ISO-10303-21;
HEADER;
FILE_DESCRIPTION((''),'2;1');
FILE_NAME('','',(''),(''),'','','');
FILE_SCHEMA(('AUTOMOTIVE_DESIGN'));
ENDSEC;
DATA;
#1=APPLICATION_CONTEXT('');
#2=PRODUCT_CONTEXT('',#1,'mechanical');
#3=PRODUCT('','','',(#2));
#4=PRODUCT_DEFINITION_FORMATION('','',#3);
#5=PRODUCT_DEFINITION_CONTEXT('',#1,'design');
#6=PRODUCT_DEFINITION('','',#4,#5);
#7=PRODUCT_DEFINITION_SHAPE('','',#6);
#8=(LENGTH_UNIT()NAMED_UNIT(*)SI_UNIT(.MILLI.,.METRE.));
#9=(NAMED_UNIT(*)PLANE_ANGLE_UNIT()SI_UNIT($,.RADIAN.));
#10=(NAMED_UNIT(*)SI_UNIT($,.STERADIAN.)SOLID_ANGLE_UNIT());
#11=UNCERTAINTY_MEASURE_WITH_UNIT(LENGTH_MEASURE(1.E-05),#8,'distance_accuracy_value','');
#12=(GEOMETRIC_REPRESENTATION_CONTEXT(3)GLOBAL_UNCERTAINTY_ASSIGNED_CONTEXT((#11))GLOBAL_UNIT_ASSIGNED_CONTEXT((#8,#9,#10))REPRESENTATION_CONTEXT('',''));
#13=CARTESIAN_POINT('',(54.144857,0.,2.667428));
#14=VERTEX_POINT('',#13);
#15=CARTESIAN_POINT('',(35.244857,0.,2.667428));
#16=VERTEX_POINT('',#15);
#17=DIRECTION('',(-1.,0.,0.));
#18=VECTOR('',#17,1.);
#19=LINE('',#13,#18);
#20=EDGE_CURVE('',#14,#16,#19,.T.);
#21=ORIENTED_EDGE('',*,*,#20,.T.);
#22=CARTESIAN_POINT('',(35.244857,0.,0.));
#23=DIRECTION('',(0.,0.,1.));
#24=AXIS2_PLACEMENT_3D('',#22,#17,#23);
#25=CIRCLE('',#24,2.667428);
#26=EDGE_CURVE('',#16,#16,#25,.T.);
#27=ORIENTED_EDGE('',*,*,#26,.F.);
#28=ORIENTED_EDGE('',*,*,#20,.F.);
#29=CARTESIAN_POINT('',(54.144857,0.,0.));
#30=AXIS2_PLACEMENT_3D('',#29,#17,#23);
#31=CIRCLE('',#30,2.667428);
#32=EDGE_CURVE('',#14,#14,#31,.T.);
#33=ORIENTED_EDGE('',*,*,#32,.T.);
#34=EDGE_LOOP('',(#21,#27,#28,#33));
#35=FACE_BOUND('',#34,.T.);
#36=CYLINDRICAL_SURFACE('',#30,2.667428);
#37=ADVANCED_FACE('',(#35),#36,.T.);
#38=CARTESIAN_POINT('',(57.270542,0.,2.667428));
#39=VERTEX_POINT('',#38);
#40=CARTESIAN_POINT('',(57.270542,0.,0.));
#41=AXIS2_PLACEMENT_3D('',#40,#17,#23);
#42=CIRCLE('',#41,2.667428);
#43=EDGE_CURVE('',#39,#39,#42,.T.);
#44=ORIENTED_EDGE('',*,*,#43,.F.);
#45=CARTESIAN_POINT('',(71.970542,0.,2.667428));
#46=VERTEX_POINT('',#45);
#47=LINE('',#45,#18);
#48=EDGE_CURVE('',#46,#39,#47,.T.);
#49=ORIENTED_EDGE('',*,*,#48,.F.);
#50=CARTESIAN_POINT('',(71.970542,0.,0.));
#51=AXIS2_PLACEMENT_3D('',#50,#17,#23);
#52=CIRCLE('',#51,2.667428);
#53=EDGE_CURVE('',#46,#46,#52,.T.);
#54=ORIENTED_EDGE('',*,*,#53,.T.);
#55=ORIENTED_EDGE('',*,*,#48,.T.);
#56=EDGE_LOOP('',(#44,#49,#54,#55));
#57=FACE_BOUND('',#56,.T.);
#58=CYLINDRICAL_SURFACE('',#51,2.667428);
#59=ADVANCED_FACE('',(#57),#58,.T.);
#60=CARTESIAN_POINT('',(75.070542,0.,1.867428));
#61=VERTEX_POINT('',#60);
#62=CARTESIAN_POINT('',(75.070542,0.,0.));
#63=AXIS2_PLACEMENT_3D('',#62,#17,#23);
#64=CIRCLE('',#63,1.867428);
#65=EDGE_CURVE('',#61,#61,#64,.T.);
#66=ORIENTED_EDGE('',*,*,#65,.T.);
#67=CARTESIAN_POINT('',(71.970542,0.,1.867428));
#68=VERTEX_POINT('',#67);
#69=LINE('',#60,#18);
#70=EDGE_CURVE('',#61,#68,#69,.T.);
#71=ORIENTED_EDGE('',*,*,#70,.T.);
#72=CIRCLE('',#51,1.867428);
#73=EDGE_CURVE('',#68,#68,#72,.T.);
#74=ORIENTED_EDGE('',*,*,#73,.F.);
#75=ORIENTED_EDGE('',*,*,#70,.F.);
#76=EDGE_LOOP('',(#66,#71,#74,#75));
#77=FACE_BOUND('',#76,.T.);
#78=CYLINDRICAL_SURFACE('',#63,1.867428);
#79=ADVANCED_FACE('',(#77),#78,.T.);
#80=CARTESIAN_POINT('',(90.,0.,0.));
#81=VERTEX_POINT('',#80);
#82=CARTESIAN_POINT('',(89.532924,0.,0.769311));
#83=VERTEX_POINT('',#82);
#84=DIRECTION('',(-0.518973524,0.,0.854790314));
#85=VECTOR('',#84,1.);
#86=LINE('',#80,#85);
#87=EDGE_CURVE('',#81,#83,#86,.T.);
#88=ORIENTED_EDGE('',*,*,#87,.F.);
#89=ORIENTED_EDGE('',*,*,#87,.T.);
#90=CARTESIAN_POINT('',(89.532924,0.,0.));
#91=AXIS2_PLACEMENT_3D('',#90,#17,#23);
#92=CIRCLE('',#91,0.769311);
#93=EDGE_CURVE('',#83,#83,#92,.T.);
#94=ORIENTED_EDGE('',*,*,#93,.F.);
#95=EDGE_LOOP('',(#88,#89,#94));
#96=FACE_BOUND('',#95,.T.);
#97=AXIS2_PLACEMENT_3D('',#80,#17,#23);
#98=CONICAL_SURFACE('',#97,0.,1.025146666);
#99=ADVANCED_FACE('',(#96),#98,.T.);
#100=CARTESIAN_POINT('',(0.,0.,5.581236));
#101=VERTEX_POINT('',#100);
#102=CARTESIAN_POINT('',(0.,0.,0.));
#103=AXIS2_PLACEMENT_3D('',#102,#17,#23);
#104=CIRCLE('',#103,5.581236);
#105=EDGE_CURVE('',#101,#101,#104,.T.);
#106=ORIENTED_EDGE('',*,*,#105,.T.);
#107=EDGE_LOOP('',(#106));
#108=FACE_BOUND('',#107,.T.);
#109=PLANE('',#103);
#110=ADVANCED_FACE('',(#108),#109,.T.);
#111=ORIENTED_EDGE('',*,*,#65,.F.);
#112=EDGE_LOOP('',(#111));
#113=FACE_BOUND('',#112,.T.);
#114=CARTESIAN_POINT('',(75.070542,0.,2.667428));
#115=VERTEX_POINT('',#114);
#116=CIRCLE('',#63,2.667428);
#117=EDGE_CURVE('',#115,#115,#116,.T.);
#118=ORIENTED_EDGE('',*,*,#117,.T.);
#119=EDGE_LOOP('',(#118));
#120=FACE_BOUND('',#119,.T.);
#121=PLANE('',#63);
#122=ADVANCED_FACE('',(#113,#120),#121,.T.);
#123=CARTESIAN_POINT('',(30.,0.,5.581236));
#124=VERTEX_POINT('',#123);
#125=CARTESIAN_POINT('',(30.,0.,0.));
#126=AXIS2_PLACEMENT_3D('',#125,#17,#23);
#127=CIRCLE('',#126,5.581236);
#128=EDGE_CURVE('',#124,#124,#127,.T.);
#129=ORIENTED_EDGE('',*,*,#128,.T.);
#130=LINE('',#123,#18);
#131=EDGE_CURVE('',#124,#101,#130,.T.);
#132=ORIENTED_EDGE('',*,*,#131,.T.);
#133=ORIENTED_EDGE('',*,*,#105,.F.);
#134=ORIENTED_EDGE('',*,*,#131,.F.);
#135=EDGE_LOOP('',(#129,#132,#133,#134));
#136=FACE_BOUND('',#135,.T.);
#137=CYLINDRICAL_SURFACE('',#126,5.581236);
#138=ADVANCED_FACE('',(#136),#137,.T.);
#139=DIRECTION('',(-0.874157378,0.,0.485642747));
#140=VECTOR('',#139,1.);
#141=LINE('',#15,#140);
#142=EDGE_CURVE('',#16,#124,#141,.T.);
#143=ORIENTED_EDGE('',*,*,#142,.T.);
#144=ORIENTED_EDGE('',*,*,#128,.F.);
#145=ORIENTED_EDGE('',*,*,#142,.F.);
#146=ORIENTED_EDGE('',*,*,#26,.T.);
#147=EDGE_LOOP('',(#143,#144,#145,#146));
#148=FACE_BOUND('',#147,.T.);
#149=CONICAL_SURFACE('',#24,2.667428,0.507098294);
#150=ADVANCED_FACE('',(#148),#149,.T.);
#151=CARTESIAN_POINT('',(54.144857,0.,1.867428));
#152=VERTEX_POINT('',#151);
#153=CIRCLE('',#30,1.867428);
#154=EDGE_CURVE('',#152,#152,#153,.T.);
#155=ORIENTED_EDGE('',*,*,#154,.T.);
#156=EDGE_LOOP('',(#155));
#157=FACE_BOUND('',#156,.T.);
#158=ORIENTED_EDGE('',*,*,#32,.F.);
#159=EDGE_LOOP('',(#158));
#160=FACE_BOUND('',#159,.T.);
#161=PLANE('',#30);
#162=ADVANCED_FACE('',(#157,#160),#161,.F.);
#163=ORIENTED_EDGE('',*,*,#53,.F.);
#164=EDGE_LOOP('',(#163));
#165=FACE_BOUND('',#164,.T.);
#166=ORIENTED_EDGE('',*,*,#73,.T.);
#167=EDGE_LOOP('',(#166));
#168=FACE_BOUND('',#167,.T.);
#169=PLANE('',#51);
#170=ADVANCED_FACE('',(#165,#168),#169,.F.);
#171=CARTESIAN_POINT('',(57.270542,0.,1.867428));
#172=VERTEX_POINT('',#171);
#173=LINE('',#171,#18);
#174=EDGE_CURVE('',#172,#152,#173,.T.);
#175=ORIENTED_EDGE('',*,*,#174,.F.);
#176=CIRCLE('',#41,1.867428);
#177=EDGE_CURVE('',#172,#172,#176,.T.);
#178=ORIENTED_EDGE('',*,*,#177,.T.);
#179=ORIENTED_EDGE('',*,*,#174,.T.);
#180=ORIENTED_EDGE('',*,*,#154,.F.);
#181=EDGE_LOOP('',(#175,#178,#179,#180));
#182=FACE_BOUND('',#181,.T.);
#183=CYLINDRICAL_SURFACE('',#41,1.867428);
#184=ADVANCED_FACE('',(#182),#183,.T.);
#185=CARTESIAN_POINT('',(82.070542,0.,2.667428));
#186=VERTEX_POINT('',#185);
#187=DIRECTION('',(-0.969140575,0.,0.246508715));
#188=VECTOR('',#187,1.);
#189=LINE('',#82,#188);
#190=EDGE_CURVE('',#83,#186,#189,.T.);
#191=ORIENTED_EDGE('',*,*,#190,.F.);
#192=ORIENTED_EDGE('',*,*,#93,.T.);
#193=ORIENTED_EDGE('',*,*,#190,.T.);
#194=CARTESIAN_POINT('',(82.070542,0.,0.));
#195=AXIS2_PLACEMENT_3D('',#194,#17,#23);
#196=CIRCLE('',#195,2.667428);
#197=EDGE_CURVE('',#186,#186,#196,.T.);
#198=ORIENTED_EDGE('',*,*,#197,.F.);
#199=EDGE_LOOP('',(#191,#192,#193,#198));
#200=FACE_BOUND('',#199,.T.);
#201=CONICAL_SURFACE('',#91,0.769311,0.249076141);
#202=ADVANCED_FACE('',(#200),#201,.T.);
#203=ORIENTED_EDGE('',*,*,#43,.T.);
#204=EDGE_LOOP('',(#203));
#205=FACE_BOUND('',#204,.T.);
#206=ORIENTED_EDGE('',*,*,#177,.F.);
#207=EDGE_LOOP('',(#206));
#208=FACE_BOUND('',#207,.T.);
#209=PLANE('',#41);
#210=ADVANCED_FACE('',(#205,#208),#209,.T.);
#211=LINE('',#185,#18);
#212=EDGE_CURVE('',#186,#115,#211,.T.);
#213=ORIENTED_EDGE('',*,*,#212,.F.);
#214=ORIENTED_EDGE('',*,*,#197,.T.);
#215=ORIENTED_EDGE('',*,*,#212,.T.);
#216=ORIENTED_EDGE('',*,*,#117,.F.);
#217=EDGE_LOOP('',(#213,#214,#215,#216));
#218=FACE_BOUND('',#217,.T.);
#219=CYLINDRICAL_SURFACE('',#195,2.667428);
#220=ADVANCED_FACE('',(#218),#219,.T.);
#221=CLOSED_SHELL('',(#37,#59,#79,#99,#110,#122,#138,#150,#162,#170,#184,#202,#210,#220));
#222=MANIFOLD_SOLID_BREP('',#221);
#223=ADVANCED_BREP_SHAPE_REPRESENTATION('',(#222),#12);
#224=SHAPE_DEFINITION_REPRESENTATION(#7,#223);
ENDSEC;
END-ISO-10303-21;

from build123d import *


with BuildPart() as f1:
    # F0 (on Front) → F1 (revolve)
    with BuildSketch(Plane.XZ):
        Polygon((30, 5.581236), (0, 5.581236), (0, 0), (90, 0), (89.532924, 0.769311), (82.070542, 2.667428), (75.070542, 2.667428), (75.070542, 1.867428), (71.970542, 1.867428), (71.970542, 2.667428), (57.270542, 2.667428), (57.270542, 1.867428), (54.144857, 1.867428), (54.144857, 2.667428), (35.244857, 2.667428), align=None)
    revolve(axis=Axis((45, 0, 0), (-1, 0, 0)))


solid = f1.part
